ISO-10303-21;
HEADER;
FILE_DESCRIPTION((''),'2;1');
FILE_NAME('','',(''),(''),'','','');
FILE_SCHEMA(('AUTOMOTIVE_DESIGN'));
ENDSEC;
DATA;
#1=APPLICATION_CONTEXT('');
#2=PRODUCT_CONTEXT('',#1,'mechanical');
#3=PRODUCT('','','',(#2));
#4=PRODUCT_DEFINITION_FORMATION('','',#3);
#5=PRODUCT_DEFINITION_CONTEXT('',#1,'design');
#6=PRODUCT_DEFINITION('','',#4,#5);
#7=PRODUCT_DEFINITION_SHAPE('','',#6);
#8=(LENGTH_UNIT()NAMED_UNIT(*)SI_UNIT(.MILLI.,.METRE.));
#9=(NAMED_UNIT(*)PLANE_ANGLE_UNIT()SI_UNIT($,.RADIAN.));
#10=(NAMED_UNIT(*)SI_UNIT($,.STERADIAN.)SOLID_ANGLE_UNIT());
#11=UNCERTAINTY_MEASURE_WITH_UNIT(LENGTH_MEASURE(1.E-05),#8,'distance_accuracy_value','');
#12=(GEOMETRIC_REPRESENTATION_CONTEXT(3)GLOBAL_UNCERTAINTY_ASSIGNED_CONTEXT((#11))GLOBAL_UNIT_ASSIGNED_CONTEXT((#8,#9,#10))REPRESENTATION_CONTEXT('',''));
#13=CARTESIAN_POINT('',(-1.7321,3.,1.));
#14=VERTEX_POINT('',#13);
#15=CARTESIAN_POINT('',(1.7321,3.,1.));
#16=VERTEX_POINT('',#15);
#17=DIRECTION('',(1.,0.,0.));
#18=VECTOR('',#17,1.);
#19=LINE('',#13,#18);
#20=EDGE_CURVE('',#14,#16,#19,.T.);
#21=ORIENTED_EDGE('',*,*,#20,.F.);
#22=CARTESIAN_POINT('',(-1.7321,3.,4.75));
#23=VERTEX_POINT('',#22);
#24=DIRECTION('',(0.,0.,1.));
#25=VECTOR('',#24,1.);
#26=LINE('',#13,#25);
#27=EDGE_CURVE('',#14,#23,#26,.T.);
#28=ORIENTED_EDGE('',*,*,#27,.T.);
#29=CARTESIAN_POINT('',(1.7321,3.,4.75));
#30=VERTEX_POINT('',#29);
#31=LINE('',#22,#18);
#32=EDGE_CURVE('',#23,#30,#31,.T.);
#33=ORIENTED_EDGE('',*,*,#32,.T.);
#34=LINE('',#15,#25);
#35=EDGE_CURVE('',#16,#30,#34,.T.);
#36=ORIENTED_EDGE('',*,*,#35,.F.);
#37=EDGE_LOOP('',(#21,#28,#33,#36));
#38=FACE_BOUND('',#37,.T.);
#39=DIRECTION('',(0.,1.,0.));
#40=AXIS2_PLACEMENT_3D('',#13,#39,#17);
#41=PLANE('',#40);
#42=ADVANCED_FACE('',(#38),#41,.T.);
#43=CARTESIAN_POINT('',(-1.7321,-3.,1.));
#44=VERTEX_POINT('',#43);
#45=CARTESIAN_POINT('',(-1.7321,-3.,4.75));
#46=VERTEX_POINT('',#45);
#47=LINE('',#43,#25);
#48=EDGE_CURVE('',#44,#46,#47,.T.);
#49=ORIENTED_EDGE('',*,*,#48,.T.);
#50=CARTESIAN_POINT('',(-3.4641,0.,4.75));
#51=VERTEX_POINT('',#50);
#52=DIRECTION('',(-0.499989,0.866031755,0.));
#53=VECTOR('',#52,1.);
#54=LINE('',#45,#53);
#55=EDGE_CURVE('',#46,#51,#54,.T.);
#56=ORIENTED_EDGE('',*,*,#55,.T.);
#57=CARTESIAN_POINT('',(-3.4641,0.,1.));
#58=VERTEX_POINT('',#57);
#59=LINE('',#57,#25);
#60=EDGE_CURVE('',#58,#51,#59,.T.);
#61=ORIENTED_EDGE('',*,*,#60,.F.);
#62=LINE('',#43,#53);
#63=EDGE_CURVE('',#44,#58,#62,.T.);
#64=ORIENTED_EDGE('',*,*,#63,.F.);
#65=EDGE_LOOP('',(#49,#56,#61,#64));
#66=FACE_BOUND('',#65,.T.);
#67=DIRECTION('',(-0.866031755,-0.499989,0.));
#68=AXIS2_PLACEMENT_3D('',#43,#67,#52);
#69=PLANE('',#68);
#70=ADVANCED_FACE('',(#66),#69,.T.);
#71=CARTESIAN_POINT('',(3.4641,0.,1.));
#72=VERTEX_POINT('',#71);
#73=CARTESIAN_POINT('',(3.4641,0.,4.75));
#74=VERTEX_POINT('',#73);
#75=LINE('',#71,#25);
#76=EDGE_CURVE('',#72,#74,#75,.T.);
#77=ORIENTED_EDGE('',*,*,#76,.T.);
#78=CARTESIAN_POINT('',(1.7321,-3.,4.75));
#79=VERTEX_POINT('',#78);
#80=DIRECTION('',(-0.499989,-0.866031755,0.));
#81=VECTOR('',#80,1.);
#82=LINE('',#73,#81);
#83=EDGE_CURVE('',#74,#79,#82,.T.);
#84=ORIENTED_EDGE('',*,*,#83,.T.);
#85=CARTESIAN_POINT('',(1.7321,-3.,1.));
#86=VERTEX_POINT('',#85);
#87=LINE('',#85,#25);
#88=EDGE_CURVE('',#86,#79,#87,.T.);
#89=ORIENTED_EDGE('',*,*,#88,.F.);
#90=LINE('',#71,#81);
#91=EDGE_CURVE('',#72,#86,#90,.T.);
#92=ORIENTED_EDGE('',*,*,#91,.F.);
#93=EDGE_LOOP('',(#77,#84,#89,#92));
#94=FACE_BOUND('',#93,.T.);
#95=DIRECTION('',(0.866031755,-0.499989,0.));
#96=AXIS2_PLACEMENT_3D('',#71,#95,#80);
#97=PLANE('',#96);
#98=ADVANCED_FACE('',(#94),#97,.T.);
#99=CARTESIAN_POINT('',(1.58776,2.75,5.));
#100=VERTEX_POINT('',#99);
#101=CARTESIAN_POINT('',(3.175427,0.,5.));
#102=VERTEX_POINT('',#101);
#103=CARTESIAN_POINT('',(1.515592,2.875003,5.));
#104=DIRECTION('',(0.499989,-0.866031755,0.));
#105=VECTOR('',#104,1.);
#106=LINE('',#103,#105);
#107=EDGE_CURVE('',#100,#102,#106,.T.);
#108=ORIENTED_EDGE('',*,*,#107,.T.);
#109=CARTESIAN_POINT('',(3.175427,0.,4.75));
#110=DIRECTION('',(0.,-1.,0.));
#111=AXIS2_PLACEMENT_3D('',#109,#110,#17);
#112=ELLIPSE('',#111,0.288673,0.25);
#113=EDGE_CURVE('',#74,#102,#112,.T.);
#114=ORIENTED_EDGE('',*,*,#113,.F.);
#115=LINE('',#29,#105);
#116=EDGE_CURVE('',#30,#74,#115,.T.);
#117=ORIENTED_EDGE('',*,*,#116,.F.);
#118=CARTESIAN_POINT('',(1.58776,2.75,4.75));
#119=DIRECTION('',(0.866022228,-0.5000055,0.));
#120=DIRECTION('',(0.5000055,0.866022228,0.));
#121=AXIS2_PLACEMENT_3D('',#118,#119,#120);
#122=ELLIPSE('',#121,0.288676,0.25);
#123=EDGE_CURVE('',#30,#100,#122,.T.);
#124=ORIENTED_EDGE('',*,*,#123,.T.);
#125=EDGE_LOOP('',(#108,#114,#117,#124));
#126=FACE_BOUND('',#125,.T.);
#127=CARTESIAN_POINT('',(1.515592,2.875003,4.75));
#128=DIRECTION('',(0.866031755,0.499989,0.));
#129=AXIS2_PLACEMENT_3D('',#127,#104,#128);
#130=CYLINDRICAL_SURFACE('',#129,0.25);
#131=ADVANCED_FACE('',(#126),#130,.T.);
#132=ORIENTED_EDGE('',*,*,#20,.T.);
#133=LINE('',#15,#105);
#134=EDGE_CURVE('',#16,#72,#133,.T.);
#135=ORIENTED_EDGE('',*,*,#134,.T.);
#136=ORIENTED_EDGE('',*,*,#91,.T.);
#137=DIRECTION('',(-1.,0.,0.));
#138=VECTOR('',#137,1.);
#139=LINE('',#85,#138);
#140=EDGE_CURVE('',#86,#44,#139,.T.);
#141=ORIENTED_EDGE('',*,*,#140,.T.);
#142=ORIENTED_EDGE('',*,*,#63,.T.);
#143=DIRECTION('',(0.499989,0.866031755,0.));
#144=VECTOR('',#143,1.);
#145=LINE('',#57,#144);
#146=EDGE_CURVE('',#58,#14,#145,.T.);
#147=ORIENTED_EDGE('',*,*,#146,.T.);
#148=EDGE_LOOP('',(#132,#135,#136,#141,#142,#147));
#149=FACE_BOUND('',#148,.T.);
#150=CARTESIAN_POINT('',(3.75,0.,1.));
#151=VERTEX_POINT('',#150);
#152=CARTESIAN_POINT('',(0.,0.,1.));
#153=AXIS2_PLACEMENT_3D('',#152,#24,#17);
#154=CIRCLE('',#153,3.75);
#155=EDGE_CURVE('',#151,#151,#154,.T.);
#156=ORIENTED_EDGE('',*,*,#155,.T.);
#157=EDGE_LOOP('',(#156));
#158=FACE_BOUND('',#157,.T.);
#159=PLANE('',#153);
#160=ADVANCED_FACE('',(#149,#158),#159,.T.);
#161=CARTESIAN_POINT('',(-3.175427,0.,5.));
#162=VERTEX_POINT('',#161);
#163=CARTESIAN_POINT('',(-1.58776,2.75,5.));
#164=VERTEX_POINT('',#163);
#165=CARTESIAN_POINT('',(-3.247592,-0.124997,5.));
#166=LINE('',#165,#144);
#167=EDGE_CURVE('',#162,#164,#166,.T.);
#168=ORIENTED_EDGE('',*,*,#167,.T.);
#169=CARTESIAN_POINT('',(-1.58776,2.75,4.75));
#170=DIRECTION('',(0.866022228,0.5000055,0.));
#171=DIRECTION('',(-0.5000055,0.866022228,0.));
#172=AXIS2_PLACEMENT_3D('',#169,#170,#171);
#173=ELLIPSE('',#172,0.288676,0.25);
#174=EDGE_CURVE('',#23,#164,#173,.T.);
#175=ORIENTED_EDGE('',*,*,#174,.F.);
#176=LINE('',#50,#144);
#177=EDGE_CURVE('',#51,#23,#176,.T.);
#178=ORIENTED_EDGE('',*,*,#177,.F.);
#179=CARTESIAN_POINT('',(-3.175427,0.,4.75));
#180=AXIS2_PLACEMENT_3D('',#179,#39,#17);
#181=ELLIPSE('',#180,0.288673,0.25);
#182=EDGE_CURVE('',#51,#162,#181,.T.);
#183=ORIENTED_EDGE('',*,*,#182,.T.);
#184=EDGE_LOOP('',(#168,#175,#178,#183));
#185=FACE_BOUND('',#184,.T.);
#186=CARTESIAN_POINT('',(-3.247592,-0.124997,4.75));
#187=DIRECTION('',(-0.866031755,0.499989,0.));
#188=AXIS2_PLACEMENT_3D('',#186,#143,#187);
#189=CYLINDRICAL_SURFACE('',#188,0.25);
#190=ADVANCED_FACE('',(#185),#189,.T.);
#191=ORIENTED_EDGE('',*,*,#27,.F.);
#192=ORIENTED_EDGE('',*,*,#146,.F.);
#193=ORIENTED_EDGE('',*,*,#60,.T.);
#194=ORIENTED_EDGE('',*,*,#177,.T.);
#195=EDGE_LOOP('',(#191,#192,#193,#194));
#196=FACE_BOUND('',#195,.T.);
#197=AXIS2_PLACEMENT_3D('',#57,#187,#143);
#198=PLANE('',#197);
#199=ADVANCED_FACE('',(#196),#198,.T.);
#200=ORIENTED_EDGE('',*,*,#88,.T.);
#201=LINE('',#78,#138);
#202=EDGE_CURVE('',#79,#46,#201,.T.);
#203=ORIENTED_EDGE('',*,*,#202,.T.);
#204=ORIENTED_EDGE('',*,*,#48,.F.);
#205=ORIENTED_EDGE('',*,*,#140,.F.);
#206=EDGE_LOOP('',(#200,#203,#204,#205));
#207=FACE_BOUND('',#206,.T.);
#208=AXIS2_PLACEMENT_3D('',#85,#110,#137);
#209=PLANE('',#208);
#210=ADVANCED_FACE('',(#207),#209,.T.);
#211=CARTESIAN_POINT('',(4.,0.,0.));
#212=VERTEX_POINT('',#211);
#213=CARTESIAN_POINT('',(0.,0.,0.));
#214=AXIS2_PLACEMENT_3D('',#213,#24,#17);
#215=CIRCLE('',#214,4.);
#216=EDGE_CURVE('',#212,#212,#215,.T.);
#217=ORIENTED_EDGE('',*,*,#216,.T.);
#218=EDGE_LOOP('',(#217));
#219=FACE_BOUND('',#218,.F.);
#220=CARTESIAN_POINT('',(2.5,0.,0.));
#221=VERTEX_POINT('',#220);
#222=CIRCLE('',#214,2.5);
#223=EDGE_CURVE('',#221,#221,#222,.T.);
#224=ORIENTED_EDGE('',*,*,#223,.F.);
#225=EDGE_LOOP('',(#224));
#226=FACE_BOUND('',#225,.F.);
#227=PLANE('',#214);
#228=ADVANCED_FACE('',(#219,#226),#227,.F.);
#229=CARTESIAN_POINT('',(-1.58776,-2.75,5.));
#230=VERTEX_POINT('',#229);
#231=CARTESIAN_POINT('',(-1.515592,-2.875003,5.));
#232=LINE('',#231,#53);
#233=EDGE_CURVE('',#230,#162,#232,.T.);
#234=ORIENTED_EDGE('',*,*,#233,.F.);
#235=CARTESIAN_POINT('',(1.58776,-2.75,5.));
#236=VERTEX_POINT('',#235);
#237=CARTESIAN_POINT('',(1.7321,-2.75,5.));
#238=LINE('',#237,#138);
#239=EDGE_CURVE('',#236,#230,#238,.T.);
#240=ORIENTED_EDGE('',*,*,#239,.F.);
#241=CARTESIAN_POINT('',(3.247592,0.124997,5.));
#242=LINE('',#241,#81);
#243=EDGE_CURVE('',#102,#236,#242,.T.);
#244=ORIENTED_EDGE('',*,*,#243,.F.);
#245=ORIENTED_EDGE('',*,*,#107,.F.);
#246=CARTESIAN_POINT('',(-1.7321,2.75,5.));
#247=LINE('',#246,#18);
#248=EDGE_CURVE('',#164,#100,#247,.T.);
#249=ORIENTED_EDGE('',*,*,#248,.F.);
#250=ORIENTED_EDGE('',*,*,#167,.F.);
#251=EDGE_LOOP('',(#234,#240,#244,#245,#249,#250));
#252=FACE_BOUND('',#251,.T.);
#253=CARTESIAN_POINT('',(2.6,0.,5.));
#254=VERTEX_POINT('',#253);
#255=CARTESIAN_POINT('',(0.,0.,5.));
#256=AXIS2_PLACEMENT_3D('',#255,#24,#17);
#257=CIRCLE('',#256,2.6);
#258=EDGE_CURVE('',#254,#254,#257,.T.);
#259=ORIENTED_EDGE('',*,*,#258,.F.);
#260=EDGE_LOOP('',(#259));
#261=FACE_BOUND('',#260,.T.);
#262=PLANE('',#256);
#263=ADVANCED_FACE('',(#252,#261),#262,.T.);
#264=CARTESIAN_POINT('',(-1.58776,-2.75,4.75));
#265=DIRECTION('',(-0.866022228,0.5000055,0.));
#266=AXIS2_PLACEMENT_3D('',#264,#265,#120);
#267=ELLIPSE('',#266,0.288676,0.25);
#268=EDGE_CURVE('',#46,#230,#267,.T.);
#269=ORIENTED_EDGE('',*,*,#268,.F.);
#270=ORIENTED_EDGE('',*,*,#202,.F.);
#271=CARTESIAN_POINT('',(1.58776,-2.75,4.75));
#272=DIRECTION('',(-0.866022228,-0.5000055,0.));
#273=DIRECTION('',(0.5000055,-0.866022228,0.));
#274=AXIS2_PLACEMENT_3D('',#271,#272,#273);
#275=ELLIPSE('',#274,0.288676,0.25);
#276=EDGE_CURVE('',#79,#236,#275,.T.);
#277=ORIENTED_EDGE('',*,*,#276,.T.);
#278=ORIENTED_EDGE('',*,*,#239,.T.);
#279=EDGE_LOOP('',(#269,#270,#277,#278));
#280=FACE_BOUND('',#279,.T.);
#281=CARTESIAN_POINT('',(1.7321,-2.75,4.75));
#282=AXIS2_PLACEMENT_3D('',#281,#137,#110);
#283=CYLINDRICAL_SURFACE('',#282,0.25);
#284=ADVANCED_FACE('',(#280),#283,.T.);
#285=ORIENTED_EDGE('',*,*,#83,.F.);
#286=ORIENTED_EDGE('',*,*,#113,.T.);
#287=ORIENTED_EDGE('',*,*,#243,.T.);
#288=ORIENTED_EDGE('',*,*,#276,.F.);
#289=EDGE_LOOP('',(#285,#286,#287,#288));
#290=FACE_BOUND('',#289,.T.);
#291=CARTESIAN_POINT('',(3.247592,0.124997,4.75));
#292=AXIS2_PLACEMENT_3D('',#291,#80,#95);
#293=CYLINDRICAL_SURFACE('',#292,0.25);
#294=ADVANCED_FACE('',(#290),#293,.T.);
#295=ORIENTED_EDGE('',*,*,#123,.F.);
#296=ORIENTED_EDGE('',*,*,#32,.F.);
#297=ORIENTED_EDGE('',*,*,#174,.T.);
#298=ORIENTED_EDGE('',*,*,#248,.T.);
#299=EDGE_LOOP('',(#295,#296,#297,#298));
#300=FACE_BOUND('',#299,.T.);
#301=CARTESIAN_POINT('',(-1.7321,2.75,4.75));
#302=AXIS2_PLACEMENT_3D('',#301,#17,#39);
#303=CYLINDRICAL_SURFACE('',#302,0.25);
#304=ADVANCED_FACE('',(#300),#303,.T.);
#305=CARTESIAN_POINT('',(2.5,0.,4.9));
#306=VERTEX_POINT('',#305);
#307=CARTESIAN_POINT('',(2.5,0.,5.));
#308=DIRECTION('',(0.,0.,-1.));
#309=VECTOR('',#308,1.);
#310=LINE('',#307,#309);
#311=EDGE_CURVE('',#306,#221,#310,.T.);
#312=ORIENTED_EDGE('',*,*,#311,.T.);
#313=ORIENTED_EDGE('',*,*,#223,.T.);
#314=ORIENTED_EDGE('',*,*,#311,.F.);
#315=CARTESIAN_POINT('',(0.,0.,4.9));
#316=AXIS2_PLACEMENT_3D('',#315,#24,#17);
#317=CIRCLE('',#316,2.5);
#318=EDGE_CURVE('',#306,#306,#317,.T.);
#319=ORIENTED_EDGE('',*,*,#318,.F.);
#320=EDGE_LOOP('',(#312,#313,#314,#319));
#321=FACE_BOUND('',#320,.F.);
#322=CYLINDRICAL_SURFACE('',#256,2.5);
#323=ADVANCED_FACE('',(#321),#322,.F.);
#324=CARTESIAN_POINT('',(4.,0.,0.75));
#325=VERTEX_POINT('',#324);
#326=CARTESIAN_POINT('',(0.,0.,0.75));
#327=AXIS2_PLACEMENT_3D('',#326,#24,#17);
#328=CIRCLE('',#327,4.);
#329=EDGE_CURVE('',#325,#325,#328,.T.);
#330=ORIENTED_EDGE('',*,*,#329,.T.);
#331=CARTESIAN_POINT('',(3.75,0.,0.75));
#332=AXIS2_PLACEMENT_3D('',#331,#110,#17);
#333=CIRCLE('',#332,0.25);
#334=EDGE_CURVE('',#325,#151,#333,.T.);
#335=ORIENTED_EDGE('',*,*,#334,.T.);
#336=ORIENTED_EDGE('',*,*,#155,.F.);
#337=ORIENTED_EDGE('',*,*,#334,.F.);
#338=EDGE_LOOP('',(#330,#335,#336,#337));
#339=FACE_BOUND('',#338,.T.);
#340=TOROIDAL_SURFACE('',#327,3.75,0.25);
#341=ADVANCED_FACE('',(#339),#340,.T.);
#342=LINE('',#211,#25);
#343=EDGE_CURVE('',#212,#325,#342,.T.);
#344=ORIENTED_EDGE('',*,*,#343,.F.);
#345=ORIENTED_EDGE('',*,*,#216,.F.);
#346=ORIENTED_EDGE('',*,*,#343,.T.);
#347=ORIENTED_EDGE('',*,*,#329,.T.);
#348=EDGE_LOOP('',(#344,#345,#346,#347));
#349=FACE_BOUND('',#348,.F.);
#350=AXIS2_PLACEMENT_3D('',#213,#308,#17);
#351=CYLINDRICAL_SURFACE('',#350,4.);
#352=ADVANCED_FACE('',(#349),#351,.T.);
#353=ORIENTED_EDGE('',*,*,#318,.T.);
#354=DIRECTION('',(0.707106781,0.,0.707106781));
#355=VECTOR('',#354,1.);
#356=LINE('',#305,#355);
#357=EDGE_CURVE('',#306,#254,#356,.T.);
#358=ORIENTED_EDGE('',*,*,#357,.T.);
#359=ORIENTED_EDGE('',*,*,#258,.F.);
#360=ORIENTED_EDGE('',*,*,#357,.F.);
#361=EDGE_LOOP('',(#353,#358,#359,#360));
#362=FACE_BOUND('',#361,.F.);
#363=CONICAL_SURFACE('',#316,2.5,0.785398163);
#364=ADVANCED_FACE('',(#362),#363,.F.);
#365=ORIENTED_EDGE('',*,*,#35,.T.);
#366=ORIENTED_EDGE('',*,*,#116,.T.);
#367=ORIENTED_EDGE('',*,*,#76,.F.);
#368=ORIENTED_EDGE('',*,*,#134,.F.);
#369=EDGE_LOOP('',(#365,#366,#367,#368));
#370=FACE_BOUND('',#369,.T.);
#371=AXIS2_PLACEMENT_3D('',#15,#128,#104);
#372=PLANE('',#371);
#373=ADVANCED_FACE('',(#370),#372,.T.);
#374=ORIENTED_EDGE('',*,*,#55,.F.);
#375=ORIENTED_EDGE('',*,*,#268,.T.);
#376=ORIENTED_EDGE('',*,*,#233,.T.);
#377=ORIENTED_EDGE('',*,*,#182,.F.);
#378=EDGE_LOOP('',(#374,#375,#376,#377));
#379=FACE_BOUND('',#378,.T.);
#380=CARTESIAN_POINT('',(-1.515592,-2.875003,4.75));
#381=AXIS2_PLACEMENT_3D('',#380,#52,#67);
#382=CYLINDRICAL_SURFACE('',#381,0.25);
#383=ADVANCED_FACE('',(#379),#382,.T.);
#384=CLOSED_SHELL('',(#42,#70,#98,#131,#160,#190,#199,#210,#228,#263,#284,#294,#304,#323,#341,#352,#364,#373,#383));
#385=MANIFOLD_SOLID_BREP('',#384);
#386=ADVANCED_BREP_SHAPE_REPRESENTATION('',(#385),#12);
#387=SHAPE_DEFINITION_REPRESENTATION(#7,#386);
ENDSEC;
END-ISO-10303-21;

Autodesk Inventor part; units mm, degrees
ref_plane "YZ Plane" through (0, 0, 0) normal (1, 0, 0) x (0, 1, 0)
ref_plane "XZ Plane" through (0, 0, 0) normal (0, 1, 0) x (-1, 0, 0)
ref_plane "XY Plane" through (0, 0, 0) normal (0, 0, 1) x (1, 0, 0)
sketch "草图1" plane through (0, 0, 0) normal (0, 0, 1) x (1, 0, 0)
  circle A0 centre (0, 0) radius 4
  dimension "d0" = 8
extrude "拉伸1" add sketch "草图1" along normal blind 1
sketch "草图2" plane through (0, 0, 1) normal (0, 0, 1) x (1, 0, 0)
  line L0 (1.7321, -3) -> (-1.7321, -3)
  line L1 (-1.7321, -3) -> (-3.4641, 0)
  line L2 (-3.4641, 0) -> (-1.7321, 3)
  line L3 (-1.7321, 3) -> (1.7321, 3)
  line L4 (1.7321, 3) -> (3.4641, 0)
  line L5 (3.4641, 0) -> (1.7321, -3)
  line L6 (0, 0) -> (0, 0.9644)
  point P0 (0, 3)
  dimension "d3" = 0.9644
  dimension "d4" = 6
extrude "拉伸2" add sketch "草图2" along normal blind 4
sketch "草图3" plane through (0, 0, 5) normal (0, 0, 1) x (1, 0, 0)
  circle A0 centre (0, 0) radius 2.5
  dimension "d7" = 5
extrude "拉伸3" cut sketch "草图3" against normal through all
thread "螺纹1" size "M5x0.8" class "6H" standard "ANSI Metric M Profile" full length
fillet "圆角1" radius 0.25 7 edges at (-2.5981, 1.5, 5) (-2.5981, -1.5, 5) (0, 3, 5) (2.5981, 1.5, 5) (2.5981, -1.5, 5) (0, -3, 5) (-4, 0, 1)
chamfer "倒角1" distance 0.1 angle 45 1 edges at (-2.5, 0, 5)
properties part number "刀夹片紧固螺帽"
